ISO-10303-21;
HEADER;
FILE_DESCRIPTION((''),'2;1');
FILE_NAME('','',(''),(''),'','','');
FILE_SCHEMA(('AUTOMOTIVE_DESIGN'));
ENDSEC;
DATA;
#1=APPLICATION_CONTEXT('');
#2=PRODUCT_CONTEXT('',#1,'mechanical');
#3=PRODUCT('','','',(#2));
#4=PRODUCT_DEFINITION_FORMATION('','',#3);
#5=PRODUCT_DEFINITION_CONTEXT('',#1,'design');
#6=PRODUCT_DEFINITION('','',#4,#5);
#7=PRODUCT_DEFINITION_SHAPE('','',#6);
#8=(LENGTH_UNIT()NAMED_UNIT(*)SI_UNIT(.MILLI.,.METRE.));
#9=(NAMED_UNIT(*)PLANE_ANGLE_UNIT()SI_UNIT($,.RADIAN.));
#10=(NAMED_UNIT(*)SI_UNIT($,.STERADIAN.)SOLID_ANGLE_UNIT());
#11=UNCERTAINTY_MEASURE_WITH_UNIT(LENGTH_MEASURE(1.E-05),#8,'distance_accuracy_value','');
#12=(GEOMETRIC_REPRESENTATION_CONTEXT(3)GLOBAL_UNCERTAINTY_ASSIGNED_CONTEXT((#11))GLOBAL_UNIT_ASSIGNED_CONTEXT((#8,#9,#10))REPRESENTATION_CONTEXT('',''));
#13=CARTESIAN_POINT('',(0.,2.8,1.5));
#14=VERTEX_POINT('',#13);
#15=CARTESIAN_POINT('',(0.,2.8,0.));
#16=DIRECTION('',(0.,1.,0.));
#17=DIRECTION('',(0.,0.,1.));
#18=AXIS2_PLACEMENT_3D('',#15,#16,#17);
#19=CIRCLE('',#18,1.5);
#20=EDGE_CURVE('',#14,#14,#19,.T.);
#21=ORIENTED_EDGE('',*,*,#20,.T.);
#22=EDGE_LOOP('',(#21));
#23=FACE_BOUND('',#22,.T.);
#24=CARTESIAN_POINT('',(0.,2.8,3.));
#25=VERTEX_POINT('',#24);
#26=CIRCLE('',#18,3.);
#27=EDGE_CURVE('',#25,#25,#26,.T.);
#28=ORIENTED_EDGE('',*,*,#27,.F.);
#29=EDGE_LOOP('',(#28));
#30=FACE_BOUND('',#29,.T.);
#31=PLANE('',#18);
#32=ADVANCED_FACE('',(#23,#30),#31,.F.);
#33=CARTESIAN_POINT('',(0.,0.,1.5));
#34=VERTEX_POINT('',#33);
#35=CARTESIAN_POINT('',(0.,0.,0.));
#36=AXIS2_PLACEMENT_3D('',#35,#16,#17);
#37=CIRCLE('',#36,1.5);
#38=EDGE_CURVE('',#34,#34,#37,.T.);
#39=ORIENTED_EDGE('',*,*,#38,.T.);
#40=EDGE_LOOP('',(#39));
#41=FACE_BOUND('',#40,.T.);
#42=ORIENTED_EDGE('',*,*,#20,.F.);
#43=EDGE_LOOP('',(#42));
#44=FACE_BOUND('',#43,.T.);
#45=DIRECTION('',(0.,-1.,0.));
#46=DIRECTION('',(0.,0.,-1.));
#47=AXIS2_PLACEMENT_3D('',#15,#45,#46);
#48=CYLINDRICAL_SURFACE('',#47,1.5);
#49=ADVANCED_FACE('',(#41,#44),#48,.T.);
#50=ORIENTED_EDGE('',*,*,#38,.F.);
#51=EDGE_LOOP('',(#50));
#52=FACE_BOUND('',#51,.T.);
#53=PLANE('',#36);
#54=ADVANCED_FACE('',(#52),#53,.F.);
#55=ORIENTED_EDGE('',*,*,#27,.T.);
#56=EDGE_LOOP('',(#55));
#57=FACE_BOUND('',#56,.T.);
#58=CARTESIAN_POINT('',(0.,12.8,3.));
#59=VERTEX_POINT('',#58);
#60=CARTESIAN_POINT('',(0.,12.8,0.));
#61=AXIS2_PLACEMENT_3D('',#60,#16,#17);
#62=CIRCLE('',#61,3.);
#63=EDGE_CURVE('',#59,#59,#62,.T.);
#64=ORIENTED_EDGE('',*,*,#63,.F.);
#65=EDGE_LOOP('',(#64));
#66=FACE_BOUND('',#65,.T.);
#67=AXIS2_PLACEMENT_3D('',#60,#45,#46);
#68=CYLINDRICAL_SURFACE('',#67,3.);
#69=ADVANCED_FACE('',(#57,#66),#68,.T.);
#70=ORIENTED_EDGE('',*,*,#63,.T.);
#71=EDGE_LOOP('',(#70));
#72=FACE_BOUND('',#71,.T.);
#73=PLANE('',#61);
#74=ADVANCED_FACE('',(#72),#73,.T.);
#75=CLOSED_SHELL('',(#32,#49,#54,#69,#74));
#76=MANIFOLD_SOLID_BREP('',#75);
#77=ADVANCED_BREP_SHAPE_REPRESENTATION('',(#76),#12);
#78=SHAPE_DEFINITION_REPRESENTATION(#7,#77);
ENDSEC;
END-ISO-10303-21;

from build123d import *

# Parameters (mm, degrees)
SKETCH_1_R      = 1.5
EXTRUDE_1_DEPTH = 2.8
SKETCH_2_R      = 3
EXTRUDE_2_DEPTH = 10


with BuildPart() as part:
    # 草圖1 → 填料-伸長1 (new body)
    with BuildSketch(Plane(origin=(0, 0, 0), x_dir=(1, 0, 0), z_dir=(0, 1, 0))):
        with Locations(Location((0, 0, 0), (0, 0, 270))):
            Circle(SKETCH_1_R)
    extrude(amount=EXTRUDE_1_DEPTH)

    # 草圖2 → 填料-伸長2 (add)
    with BuildSketch(Plane(origin=(0, 2.8, 0), x_dir=(1, 0, 0), z_dir=(0, 1, 0))):
        with Locations(Location((0, 0, 0), (0, 0, 270))):
            Circle(SKETCH_2_R)
    extrude(amount=EXTRUDE_2_DEPTH)


solid = part.part
